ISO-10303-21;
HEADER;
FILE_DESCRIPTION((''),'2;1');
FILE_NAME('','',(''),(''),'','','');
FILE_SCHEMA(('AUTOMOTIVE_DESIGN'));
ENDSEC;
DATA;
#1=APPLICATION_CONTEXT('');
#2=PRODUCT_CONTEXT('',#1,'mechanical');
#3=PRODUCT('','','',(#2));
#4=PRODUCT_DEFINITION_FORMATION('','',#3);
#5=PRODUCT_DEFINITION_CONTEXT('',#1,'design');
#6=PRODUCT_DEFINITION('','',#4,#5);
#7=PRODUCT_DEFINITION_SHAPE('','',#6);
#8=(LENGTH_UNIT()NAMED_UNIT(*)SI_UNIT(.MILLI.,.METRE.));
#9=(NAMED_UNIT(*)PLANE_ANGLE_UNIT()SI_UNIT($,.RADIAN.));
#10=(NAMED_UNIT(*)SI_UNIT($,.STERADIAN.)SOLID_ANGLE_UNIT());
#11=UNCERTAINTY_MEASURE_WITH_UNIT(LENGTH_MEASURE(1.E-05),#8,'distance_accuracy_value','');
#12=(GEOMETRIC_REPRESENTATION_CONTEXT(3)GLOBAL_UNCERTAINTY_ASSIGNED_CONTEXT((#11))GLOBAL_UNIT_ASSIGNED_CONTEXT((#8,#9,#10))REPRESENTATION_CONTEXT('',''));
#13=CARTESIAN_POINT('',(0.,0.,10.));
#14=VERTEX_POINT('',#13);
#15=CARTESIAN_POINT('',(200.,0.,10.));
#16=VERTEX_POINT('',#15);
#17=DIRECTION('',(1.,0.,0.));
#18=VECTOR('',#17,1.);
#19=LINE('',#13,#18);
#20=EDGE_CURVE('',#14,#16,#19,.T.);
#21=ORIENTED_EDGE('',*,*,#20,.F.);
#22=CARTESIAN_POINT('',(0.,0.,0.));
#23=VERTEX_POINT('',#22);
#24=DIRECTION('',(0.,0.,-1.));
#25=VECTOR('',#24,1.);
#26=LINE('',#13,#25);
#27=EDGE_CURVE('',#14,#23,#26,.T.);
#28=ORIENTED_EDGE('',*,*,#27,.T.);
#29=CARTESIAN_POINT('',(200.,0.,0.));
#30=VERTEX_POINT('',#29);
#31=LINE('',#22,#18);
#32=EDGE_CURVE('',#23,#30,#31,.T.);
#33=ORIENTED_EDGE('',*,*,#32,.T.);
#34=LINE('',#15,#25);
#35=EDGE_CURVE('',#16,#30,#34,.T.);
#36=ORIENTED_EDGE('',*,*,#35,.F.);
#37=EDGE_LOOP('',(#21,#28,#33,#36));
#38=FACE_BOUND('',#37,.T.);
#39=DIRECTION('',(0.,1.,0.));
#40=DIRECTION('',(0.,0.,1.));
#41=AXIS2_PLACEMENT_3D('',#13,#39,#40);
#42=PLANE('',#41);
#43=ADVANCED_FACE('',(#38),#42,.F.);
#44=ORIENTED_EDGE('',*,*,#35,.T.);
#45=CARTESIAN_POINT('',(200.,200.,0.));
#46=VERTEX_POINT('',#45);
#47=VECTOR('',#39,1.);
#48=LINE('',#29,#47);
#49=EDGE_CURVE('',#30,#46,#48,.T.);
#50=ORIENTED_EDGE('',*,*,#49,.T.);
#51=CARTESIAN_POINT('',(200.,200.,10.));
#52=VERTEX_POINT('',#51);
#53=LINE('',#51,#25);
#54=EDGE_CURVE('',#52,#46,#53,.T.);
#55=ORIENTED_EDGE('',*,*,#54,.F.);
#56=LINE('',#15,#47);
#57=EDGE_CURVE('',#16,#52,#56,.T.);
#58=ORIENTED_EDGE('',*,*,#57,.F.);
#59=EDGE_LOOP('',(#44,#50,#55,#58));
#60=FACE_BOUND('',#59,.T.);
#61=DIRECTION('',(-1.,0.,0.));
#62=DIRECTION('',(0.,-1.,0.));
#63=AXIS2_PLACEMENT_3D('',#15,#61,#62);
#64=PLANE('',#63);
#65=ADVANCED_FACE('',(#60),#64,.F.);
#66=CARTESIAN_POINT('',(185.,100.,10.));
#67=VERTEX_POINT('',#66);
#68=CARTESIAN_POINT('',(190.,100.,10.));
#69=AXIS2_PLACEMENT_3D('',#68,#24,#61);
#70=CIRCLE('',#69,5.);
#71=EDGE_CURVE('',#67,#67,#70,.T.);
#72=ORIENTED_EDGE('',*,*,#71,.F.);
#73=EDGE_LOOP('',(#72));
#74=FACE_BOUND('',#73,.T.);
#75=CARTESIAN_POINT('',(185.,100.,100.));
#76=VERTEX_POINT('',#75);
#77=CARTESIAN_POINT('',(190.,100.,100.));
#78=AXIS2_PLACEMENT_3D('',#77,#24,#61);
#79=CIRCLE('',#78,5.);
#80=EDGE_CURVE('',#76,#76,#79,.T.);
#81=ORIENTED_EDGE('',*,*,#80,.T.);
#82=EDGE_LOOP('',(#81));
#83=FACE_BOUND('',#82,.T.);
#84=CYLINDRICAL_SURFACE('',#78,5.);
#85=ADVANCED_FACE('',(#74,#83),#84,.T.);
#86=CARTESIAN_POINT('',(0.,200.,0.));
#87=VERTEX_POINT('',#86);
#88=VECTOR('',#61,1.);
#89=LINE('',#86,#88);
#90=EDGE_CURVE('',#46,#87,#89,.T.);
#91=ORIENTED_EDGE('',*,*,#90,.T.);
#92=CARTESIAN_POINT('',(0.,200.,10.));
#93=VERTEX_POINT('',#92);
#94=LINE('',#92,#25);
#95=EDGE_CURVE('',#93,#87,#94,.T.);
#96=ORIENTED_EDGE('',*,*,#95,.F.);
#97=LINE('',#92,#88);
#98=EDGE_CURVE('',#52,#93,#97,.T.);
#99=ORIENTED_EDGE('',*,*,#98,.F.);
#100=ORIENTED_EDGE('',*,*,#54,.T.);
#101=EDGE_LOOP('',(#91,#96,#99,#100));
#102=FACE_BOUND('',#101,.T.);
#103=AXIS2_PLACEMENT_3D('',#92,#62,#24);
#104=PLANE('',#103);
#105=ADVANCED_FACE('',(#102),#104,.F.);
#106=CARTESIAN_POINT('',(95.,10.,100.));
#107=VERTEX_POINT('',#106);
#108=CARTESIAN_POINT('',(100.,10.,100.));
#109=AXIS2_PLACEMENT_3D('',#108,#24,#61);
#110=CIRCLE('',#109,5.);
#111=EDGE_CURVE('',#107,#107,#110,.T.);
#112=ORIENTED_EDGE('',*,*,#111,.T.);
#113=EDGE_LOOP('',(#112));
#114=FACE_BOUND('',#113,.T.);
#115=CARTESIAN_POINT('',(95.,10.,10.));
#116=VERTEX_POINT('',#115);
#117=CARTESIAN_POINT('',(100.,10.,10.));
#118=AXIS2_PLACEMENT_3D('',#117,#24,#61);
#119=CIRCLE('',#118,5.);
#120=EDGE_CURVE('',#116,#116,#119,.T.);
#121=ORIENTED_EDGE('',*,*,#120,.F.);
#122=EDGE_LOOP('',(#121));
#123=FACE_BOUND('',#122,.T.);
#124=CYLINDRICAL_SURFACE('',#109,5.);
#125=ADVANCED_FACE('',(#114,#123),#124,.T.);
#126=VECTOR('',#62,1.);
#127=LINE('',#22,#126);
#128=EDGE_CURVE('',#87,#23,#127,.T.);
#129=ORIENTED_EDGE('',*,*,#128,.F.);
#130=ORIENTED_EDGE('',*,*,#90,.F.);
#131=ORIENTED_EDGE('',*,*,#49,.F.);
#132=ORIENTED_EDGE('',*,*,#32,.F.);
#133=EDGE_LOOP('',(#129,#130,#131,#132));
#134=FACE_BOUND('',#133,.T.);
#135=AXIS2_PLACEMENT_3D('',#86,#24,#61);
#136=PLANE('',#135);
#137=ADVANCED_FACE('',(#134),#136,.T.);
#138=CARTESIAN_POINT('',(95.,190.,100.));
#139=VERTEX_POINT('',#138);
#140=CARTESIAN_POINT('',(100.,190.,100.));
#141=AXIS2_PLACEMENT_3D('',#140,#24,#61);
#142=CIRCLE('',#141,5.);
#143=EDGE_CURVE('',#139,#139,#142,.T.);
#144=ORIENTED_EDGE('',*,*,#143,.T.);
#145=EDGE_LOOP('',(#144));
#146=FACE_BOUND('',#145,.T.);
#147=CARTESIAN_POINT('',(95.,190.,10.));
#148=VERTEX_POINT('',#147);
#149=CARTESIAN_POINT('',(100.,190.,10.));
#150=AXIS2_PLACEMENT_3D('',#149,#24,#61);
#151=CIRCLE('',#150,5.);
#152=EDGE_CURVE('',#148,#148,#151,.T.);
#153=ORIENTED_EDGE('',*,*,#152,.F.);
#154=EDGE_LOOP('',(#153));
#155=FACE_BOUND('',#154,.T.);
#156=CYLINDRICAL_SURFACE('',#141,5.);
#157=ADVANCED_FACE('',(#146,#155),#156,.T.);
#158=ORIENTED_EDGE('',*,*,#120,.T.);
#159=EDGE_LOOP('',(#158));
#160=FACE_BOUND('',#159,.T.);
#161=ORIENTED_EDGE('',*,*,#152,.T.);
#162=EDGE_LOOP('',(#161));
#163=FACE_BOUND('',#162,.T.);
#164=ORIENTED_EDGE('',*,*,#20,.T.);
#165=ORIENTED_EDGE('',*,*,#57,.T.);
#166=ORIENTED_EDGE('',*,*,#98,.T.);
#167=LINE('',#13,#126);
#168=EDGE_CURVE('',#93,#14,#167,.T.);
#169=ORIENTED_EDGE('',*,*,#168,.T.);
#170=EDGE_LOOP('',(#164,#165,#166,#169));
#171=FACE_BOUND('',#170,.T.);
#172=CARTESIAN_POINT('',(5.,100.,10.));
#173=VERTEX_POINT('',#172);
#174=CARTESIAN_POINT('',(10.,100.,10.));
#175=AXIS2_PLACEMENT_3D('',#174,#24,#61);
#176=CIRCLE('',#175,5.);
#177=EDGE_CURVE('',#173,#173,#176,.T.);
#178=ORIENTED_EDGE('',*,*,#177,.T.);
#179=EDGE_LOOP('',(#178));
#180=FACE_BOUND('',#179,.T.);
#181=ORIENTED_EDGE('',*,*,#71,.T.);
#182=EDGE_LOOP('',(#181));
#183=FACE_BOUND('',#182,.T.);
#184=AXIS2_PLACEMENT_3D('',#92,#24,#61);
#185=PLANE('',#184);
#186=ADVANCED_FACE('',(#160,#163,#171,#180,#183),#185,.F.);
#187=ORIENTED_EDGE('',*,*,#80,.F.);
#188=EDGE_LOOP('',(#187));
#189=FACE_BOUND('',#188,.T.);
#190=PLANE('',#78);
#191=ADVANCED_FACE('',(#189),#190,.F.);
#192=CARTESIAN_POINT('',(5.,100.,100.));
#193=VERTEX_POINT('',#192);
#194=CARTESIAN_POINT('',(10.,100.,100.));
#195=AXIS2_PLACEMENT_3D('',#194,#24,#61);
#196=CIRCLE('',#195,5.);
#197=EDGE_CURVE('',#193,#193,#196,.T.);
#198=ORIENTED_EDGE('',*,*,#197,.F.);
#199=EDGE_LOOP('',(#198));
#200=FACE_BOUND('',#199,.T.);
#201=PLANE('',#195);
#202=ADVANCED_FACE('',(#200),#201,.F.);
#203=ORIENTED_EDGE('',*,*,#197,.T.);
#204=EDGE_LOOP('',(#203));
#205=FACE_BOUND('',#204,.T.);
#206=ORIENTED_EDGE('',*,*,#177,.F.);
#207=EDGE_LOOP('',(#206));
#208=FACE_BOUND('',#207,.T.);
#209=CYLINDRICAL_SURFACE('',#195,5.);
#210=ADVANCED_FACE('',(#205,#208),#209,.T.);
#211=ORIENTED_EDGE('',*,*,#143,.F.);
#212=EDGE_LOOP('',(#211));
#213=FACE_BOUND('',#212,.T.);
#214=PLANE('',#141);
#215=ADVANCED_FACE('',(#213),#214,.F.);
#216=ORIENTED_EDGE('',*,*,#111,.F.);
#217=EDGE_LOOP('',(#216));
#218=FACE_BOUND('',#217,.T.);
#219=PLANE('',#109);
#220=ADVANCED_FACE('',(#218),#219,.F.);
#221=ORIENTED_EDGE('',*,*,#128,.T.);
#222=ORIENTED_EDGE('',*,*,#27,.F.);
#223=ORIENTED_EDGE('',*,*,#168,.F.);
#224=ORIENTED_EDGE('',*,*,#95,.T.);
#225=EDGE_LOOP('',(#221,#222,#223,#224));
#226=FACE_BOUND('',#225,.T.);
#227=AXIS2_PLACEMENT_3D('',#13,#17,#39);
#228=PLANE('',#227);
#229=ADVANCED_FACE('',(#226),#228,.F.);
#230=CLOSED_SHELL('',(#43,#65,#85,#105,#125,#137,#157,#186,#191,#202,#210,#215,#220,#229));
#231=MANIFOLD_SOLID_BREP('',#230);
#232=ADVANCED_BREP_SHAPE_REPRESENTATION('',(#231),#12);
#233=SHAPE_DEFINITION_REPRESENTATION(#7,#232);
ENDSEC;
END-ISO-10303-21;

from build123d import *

# Parameters (mm, degrees)
SKETCH1_W           = 200
SKETCH1_H           = 200
BOSS_EXTRUDE1_DEPTH = 10
SKETCH4_R           = 5
BOSS_EXTRUDE2_DEPTH = 100


with BuildPart() as part:
    # Sketch1 → Boss-Extrude1 (new body)
    with BuildSketch(Plane.XY):
        with Locations((100, 100)):
            Rectangle(SKETCH1_W, SKETCH1_H)
    extrude(amount=BOSS_EXTRUDE1_DEPTH)

    # Sketch4 → Boss-Extrude2 (add)
    with BuildSketch(Plane(origin=(0, 0, 0), x_dir=(-1, 0, 0), z_dir=(0, 0, -1))):
        with Locations((-190, 100)):
            Circle(SKETCH4_R)
        with Locations((-100, 10)):
            Circle(SKETCH4_R)
        with Locations((-100, 190)):
            Circle(SKETCH4_R)
        with Locations((-10, 100)):
            Circle(SKETCH4_R)
    extrude(amount=-BOSS_EXTRUDE2_DEPTH)


solid = part.part
